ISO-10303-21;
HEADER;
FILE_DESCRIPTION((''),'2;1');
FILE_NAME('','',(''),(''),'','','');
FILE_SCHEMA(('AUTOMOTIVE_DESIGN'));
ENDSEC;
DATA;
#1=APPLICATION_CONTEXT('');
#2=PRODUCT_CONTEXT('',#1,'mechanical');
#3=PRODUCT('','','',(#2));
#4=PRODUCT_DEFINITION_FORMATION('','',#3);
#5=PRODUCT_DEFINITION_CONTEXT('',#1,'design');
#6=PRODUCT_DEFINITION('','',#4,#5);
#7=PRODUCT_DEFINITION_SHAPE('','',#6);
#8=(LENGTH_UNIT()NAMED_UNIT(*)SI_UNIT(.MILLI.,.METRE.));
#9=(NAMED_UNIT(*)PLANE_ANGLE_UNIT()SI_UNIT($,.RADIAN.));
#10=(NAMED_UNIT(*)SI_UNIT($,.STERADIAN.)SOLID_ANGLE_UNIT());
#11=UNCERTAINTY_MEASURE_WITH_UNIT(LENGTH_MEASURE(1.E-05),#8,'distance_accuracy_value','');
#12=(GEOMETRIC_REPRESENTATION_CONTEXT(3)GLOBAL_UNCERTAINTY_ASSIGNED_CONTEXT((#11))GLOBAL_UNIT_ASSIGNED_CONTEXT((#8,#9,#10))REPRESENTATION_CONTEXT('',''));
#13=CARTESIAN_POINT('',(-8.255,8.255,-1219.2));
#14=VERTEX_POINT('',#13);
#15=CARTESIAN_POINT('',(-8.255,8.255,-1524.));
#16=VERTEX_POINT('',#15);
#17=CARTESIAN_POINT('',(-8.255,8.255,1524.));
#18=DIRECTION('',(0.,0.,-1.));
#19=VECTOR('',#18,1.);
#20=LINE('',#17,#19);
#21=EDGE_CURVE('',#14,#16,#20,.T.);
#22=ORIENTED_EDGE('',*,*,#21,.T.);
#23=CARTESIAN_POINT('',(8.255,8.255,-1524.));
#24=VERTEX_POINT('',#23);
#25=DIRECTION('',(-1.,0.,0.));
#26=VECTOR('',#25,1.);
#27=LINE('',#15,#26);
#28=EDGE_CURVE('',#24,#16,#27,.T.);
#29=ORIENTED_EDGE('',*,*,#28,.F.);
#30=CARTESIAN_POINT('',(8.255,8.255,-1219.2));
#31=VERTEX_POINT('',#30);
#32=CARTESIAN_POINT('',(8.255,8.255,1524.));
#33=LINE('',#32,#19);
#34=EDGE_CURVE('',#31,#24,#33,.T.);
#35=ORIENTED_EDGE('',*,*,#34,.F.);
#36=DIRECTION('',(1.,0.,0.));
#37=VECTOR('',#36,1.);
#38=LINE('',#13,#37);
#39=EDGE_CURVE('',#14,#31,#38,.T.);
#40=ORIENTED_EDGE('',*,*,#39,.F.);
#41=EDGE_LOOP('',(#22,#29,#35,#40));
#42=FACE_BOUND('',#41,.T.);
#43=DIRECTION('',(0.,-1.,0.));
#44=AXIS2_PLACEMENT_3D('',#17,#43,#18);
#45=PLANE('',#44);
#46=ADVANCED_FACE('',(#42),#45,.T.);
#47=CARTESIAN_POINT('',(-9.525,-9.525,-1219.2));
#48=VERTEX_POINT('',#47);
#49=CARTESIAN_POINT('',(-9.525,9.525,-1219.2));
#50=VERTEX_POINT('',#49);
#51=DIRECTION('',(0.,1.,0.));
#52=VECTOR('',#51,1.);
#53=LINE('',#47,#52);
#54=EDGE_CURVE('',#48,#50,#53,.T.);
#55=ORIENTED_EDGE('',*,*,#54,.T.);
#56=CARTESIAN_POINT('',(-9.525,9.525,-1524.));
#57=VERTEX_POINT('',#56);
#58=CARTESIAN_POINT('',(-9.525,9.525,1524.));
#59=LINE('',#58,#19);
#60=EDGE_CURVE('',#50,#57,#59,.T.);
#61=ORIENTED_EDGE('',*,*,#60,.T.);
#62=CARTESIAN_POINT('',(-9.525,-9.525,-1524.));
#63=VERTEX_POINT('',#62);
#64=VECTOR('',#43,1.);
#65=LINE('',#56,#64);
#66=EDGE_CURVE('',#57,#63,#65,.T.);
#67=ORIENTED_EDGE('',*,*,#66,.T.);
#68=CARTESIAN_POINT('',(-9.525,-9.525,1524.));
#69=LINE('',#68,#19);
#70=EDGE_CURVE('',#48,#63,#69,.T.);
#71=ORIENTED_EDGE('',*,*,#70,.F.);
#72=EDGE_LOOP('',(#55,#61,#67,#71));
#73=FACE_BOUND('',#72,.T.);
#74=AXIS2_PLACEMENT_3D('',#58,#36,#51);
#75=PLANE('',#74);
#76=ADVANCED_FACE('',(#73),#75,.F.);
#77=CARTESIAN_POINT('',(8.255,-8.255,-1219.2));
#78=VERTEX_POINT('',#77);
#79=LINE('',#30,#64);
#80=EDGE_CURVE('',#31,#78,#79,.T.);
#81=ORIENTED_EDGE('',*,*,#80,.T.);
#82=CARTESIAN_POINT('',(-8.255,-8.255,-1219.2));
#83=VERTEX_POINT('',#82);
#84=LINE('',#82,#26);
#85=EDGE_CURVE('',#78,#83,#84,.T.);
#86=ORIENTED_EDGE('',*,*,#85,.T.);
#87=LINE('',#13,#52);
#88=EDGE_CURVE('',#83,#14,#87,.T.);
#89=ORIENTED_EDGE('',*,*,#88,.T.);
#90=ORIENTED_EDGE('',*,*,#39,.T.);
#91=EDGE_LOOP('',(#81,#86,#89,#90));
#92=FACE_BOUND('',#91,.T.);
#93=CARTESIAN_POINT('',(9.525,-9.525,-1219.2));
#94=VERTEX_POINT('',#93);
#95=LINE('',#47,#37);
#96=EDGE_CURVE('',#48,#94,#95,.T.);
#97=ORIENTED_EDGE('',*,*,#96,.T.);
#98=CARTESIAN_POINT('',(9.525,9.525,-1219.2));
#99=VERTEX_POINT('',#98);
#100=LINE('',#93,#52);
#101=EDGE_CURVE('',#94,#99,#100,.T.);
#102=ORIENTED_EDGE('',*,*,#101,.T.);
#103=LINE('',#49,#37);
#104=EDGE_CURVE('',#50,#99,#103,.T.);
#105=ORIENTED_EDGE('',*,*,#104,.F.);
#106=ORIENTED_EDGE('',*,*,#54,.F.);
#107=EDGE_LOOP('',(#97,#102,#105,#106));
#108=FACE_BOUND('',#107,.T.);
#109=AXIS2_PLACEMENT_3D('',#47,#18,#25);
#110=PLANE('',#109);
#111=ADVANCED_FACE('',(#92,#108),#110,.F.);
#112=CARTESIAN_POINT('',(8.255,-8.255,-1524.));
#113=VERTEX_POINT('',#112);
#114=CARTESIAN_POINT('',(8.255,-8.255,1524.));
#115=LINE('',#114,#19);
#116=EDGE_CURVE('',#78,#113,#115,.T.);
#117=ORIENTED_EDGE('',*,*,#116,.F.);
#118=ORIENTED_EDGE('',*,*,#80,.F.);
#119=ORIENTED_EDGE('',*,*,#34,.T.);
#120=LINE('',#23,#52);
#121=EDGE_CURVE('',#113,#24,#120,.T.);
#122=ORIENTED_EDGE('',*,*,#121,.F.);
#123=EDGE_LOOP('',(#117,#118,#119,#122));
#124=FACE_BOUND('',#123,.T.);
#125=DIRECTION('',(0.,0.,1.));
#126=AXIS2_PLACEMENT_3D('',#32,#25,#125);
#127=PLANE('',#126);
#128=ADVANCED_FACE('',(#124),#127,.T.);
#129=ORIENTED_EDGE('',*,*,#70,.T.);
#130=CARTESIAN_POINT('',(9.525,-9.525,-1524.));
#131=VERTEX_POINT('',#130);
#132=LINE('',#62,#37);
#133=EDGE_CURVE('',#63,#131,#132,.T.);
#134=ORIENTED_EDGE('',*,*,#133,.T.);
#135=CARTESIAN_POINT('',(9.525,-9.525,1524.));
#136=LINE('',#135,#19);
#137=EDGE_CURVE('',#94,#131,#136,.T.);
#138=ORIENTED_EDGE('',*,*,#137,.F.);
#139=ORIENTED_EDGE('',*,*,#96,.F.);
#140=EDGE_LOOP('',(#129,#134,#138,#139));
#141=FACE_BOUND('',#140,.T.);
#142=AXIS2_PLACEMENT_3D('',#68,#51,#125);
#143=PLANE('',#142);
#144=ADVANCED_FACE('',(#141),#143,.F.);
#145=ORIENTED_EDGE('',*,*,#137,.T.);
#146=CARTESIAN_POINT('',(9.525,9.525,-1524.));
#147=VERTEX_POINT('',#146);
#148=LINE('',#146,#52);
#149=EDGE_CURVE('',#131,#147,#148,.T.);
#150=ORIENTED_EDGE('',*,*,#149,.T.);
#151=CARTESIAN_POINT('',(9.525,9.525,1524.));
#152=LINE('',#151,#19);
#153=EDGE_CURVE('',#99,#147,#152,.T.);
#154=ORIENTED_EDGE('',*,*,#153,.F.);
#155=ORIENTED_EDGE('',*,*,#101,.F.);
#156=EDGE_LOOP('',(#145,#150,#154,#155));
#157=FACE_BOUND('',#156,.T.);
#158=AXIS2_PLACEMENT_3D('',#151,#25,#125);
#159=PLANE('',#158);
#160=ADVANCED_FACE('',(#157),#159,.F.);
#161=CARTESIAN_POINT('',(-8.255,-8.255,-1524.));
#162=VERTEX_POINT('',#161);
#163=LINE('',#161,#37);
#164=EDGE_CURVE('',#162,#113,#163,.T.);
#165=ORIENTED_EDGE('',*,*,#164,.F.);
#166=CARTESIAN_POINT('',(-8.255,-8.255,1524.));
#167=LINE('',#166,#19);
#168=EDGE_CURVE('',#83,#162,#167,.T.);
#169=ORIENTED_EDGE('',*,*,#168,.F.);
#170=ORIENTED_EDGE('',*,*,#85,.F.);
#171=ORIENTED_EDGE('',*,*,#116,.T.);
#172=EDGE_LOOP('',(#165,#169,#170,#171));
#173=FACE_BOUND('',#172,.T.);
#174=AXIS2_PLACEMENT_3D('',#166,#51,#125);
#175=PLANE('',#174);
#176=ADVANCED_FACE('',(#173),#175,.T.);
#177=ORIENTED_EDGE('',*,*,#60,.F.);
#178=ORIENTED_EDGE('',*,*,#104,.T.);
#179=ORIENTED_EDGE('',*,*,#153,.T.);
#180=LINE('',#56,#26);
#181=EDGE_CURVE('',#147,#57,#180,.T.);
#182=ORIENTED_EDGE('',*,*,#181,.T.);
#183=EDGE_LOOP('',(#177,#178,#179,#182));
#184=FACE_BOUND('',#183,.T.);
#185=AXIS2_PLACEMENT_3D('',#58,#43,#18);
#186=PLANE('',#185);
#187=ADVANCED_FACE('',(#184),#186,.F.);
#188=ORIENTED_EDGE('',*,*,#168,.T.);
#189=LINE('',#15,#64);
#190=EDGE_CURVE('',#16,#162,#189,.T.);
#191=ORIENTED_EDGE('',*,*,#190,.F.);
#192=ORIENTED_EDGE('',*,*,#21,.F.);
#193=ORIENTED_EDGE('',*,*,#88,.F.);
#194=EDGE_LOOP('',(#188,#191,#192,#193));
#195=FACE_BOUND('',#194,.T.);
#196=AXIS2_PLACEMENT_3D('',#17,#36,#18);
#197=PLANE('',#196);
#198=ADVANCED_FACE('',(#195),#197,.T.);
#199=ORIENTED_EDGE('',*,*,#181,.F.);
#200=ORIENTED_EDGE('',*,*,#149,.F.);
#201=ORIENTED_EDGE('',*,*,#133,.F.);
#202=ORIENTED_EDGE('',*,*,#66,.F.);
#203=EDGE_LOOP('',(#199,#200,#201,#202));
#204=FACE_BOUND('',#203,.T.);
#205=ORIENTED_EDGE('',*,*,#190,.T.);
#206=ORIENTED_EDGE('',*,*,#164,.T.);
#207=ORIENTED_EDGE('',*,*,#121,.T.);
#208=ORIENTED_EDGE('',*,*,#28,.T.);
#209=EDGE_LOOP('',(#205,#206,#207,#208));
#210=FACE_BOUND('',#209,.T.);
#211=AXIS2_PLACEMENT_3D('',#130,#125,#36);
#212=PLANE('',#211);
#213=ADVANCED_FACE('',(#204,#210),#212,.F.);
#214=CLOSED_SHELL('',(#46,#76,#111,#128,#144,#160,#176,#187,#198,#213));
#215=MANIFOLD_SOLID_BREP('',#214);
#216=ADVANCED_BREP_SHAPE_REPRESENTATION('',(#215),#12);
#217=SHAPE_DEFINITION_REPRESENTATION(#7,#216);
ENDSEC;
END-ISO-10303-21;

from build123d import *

# Parameters (mm, degrees)
SKETCH1_W           = 19.05
SKETCH1_H           = 19.05
SKETCH1_W_2         = 16.51
SKETCH1_H_2         = 16.51
BOSS_EXTRUDE1_DEPTH = 1524
SKETCH2_W           = 2743.2
SKETCH2_H           = 19.05
CUT_EXTRUDE1_DEPTH  = 1525.148820859


with BuildPart() as part:
    # Sketch1 → Boss-Extrude1 (new, symmetric)
    with BuildSketch(Plane.XY):
        Rectangle(SKETCH1_W, SKETCH1_H)
        Rectangle(SKETCH1_W_2, SKETCH1_H_2, mode=Mode.SUBTRACT)
    extrude(amount=BOSS_EXTRUDE1_DEPTH, both=True)

    # Sketch2 → Cut-Extrude1 (cut, through all)
    with BuildSketch(Plane(origin=(9.525, 0, 0), x_dir=(0, 0, -1), z_dir=(1, 0, 0))):
        with Locations((-152.4, 0)):
            Rectangle(SKETCH2_W, SKETCH2_H)
    extrude(amount=-CUT_EXTRUDE1_DEPTH, mode=Mode.SUBTRACT)


solid = part.part
